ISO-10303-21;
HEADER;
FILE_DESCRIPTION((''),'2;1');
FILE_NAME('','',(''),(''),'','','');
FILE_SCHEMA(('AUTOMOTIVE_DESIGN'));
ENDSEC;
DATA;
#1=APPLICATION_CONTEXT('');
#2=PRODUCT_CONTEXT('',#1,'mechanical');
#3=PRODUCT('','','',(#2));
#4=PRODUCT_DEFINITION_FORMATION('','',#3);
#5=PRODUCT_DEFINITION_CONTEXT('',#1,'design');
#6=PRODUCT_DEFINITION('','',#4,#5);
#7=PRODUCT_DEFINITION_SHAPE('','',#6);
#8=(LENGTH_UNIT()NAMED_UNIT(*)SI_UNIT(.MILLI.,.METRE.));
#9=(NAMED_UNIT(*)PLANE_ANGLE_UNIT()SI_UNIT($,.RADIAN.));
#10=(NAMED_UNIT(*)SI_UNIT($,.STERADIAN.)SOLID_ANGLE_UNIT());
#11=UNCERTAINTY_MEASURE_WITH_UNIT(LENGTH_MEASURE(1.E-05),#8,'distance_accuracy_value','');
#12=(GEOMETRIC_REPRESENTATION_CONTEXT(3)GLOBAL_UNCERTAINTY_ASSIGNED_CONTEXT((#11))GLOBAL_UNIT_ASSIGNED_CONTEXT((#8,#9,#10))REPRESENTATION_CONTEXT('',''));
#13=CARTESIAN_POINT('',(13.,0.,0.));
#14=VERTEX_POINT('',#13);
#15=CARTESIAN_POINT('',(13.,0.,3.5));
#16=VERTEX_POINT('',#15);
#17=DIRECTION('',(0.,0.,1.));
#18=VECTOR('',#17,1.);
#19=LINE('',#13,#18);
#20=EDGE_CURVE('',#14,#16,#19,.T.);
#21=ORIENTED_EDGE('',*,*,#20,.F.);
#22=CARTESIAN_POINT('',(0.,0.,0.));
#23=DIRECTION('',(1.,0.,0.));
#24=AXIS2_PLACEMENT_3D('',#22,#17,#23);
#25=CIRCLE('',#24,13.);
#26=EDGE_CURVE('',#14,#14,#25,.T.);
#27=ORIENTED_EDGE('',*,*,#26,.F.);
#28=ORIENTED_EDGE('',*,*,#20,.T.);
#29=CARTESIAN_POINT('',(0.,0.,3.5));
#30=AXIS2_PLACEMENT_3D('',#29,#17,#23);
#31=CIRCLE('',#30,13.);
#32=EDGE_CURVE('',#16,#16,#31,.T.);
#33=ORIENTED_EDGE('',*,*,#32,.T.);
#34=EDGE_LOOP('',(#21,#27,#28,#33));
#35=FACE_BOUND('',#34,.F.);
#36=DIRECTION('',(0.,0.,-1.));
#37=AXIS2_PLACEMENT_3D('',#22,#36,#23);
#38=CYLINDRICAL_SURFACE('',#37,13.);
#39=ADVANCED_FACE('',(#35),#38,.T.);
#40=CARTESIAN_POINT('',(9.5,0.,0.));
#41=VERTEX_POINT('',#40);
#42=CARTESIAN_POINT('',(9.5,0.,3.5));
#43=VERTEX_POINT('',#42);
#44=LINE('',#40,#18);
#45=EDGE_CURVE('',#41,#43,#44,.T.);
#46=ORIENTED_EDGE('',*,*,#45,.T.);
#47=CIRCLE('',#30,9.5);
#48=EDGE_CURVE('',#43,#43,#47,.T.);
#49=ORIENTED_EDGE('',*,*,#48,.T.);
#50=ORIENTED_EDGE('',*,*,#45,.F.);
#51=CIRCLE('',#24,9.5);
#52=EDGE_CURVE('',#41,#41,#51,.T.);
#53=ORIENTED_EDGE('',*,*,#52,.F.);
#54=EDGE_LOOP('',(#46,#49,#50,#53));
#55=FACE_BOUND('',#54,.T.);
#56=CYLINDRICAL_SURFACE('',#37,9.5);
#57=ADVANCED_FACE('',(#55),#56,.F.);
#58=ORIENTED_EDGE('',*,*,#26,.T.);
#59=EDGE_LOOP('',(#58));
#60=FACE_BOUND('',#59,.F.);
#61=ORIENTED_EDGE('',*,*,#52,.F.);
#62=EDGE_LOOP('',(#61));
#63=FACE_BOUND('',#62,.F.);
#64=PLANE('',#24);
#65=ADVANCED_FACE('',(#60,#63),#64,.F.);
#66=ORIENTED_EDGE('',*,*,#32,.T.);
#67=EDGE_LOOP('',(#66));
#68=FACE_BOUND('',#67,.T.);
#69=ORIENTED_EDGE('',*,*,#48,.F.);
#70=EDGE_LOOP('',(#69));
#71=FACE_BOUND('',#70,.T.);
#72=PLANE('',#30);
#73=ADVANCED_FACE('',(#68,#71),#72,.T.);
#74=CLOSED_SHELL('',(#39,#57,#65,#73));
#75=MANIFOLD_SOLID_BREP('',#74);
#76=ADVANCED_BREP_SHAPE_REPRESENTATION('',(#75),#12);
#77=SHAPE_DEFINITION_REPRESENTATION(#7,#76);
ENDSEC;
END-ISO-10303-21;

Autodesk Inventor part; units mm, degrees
ref_plane "YZ Plane" through (0, 0, 0) normal (1, 0, 0) x (0, 1, 0)
ref_plane "XZ Plane" through (0, 0, 0) normal (0, 1, 0) x (-1, 0, 0)
ref_plane "XY Plane" through (0, 0, 0) normal (0, 0, 1) x (1, 0, 0)
sketch "Skizze1" plane through (0, 0, 0) normal (0, 0, 1) x (1, 0, 0)
  circle A0 centre (0, 0) radius 13
  circle A1 centre (0, 0) radius 9.5
  dimension "d0" = 26
  dimension "d1" = 19
extrude "Extrusion1" add sketch "Skizze1" along normal blind 3.5
properties part number "isolatorring" material "Phenolharz"
